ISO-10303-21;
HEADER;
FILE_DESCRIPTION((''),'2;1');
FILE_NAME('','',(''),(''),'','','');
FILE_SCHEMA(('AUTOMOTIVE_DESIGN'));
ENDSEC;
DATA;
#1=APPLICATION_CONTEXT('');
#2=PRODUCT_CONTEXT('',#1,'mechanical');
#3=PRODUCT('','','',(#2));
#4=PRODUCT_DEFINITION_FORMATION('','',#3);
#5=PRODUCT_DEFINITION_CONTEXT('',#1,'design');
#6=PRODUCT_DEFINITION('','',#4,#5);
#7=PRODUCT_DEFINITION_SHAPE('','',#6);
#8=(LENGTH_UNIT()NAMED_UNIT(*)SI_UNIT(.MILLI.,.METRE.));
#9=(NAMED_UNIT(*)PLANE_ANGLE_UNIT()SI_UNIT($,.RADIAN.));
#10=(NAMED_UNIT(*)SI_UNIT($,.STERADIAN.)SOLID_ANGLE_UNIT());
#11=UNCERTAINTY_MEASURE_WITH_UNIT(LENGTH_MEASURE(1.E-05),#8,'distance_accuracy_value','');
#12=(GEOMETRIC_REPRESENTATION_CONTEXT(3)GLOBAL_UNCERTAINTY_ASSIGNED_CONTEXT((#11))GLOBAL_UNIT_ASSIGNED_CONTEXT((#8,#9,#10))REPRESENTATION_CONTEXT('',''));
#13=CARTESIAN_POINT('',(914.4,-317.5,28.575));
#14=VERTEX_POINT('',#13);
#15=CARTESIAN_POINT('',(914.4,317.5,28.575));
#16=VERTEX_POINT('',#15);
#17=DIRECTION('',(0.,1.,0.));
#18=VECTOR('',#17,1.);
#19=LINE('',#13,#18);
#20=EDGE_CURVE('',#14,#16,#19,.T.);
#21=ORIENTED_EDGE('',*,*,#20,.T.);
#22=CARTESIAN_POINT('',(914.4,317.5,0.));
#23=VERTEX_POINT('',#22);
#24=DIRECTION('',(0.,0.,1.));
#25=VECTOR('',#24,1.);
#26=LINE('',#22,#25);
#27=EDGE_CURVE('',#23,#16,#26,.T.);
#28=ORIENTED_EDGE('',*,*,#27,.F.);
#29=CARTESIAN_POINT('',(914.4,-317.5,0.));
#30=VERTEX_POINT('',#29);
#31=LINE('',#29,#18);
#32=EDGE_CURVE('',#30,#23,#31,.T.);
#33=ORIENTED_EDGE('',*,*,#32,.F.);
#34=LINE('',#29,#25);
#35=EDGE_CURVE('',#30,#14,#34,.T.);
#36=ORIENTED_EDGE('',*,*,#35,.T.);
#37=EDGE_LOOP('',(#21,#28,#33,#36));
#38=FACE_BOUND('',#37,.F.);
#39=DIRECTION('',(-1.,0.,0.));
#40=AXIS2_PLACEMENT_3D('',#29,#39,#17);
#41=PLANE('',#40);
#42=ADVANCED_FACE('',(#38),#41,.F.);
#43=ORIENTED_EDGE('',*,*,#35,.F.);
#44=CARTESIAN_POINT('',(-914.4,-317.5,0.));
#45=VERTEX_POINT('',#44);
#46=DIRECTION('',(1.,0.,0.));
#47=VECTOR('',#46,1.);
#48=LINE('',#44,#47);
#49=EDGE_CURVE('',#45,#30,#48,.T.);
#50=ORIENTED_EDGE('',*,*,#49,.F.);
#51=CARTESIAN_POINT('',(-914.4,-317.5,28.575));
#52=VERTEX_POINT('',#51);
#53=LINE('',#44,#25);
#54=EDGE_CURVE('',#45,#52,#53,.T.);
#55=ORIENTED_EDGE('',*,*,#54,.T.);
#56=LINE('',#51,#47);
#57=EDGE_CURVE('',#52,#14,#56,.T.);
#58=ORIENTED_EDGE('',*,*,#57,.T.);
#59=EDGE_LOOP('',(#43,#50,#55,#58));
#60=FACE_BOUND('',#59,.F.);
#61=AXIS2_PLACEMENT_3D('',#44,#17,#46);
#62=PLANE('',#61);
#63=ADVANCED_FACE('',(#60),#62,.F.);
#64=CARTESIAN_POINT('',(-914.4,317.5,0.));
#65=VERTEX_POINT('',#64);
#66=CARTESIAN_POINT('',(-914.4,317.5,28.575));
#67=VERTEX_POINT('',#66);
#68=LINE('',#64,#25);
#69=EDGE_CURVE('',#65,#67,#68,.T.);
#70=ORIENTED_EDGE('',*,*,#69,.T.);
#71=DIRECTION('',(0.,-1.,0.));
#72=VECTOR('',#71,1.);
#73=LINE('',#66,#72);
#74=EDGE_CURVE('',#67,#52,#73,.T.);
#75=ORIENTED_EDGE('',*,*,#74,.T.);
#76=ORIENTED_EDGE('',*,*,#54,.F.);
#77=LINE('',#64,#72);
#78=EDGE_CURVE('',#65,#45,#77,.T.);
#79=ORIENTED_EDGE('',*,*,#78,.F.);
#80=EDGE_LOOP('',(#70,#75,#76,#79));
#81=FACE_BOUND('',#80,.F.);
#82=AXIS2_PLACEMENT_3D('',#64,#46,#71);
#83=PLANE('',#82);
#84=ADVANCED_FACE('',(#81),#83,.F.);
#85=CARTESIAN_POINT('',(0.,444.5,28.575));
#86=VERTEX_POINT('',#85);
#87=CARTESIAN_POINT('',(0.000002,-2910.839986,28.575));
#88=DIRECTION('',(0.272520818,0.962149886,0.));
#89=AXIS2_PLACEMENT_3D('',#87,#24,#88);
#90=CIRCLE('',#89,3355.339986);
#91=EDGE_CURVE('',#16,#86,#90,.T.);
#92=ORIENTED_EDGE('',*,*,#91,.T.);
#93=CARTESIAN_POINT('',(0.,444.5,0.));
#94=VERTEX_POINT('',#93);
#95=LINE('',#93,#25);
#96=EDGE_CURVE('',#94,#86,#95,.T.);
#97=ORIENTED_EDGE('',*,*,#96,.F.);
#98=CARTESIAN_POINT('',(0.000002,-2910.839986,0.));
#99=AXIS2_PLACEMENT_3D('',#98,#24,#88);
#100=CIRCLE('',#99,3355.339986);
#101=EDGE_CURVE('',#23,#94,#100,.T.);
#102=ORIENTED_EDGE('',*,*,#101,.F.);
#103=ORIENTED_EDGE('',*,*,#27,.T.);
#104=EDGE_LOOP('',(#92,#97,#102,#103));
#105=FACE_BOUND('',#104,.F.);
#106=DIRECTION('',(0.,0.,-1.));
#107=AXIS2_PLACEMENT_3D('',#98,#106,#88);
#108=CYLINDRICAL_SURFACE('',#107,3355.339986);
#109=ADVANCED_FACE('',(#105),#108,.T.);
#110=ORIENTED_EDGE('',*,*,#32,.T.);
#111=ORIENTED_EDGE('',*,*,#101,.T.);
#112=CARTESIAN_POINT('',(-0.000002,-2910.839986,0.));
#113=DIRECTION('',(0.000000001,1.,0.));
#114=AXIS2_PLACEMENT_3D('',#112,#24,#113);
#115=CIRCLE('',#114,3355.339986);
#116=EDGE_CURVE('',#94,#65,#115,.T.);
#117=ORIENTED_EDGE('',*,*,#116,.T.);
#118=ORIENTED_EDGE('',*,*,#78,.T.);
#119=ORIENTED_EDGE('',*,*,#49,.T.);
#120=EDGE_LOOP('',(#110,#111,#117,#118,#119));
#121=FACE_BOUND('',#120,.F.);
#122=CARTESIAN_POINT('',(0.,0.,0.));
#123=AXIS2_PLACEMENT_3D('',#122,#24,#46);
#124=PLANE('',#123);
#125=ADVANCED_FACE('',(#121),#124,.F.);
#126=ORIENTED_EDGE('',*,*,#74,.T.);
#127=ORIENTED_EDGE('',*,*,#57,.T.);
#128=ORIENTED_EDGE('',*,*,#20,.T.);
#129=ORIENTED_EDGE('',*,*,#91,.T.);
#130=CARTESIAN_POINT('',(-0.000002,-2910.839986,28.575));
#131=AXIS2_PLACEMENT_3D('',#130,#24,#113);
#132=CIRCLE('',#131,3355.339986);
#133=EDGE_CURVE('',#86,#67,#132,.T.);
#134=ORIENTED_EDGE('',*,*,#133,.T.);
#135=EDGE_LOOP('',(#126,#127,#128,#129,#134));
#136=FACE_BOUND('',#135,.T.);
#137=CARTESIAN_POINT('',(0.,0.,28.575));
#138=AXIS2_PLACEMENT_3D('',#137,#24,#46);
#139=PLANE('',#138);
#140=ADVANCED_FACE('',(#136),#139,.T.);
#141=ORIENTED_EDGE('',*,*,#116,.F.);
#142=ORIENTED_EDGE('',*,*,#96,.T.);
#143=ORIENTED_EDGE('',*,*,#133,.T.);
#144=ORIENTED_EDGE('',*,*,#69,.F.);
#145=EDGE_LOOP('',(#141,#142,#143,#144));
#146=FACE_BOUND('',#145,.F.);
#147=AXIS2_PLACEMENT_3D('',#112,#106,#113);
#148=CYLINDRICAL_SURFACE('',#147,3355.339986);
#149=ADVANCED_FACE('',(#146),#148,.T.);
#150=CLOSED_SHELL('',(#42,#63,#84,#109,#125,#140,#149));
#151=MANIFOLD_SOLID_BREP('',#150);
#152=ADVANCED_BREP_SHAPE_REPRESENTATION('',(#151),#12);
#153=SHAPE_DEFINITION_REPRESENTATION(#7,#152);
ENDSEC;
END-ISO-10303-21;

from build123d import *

# Parameters (mm, degrees)
F1_DEPTH = 28.575


with BuildPart() as f1:
    # F0 (on Top) → F1 (new body)
    with BuildSketch(Plane.XY):
        Polygon((0, 317.5), (-914.4, 317.5), (-914.4, -317.5), (914.4, -317.5), (914.4, 317.5), align=None)
        with BuildLine():
            ThreePointArc((0, 444.5), (-461.588659, 412.598344), (-914.4, 317.5))
            Line((-914.4, 317.5), (0, 317.5))
            Line((0, 317.5), (0, 444.5))
        make_face()
        with BuildLine():
            Line((0, 444.5), (0, 317.5))
            Line((0, 317.5), (914.4, 317.5))
            ThreePointArc((914.4, 317.5), (461.588659, 412.598344), (0, 444.5))
        make_face()
    extrude(amount=F1_DEPTH)


solid = f1.part
